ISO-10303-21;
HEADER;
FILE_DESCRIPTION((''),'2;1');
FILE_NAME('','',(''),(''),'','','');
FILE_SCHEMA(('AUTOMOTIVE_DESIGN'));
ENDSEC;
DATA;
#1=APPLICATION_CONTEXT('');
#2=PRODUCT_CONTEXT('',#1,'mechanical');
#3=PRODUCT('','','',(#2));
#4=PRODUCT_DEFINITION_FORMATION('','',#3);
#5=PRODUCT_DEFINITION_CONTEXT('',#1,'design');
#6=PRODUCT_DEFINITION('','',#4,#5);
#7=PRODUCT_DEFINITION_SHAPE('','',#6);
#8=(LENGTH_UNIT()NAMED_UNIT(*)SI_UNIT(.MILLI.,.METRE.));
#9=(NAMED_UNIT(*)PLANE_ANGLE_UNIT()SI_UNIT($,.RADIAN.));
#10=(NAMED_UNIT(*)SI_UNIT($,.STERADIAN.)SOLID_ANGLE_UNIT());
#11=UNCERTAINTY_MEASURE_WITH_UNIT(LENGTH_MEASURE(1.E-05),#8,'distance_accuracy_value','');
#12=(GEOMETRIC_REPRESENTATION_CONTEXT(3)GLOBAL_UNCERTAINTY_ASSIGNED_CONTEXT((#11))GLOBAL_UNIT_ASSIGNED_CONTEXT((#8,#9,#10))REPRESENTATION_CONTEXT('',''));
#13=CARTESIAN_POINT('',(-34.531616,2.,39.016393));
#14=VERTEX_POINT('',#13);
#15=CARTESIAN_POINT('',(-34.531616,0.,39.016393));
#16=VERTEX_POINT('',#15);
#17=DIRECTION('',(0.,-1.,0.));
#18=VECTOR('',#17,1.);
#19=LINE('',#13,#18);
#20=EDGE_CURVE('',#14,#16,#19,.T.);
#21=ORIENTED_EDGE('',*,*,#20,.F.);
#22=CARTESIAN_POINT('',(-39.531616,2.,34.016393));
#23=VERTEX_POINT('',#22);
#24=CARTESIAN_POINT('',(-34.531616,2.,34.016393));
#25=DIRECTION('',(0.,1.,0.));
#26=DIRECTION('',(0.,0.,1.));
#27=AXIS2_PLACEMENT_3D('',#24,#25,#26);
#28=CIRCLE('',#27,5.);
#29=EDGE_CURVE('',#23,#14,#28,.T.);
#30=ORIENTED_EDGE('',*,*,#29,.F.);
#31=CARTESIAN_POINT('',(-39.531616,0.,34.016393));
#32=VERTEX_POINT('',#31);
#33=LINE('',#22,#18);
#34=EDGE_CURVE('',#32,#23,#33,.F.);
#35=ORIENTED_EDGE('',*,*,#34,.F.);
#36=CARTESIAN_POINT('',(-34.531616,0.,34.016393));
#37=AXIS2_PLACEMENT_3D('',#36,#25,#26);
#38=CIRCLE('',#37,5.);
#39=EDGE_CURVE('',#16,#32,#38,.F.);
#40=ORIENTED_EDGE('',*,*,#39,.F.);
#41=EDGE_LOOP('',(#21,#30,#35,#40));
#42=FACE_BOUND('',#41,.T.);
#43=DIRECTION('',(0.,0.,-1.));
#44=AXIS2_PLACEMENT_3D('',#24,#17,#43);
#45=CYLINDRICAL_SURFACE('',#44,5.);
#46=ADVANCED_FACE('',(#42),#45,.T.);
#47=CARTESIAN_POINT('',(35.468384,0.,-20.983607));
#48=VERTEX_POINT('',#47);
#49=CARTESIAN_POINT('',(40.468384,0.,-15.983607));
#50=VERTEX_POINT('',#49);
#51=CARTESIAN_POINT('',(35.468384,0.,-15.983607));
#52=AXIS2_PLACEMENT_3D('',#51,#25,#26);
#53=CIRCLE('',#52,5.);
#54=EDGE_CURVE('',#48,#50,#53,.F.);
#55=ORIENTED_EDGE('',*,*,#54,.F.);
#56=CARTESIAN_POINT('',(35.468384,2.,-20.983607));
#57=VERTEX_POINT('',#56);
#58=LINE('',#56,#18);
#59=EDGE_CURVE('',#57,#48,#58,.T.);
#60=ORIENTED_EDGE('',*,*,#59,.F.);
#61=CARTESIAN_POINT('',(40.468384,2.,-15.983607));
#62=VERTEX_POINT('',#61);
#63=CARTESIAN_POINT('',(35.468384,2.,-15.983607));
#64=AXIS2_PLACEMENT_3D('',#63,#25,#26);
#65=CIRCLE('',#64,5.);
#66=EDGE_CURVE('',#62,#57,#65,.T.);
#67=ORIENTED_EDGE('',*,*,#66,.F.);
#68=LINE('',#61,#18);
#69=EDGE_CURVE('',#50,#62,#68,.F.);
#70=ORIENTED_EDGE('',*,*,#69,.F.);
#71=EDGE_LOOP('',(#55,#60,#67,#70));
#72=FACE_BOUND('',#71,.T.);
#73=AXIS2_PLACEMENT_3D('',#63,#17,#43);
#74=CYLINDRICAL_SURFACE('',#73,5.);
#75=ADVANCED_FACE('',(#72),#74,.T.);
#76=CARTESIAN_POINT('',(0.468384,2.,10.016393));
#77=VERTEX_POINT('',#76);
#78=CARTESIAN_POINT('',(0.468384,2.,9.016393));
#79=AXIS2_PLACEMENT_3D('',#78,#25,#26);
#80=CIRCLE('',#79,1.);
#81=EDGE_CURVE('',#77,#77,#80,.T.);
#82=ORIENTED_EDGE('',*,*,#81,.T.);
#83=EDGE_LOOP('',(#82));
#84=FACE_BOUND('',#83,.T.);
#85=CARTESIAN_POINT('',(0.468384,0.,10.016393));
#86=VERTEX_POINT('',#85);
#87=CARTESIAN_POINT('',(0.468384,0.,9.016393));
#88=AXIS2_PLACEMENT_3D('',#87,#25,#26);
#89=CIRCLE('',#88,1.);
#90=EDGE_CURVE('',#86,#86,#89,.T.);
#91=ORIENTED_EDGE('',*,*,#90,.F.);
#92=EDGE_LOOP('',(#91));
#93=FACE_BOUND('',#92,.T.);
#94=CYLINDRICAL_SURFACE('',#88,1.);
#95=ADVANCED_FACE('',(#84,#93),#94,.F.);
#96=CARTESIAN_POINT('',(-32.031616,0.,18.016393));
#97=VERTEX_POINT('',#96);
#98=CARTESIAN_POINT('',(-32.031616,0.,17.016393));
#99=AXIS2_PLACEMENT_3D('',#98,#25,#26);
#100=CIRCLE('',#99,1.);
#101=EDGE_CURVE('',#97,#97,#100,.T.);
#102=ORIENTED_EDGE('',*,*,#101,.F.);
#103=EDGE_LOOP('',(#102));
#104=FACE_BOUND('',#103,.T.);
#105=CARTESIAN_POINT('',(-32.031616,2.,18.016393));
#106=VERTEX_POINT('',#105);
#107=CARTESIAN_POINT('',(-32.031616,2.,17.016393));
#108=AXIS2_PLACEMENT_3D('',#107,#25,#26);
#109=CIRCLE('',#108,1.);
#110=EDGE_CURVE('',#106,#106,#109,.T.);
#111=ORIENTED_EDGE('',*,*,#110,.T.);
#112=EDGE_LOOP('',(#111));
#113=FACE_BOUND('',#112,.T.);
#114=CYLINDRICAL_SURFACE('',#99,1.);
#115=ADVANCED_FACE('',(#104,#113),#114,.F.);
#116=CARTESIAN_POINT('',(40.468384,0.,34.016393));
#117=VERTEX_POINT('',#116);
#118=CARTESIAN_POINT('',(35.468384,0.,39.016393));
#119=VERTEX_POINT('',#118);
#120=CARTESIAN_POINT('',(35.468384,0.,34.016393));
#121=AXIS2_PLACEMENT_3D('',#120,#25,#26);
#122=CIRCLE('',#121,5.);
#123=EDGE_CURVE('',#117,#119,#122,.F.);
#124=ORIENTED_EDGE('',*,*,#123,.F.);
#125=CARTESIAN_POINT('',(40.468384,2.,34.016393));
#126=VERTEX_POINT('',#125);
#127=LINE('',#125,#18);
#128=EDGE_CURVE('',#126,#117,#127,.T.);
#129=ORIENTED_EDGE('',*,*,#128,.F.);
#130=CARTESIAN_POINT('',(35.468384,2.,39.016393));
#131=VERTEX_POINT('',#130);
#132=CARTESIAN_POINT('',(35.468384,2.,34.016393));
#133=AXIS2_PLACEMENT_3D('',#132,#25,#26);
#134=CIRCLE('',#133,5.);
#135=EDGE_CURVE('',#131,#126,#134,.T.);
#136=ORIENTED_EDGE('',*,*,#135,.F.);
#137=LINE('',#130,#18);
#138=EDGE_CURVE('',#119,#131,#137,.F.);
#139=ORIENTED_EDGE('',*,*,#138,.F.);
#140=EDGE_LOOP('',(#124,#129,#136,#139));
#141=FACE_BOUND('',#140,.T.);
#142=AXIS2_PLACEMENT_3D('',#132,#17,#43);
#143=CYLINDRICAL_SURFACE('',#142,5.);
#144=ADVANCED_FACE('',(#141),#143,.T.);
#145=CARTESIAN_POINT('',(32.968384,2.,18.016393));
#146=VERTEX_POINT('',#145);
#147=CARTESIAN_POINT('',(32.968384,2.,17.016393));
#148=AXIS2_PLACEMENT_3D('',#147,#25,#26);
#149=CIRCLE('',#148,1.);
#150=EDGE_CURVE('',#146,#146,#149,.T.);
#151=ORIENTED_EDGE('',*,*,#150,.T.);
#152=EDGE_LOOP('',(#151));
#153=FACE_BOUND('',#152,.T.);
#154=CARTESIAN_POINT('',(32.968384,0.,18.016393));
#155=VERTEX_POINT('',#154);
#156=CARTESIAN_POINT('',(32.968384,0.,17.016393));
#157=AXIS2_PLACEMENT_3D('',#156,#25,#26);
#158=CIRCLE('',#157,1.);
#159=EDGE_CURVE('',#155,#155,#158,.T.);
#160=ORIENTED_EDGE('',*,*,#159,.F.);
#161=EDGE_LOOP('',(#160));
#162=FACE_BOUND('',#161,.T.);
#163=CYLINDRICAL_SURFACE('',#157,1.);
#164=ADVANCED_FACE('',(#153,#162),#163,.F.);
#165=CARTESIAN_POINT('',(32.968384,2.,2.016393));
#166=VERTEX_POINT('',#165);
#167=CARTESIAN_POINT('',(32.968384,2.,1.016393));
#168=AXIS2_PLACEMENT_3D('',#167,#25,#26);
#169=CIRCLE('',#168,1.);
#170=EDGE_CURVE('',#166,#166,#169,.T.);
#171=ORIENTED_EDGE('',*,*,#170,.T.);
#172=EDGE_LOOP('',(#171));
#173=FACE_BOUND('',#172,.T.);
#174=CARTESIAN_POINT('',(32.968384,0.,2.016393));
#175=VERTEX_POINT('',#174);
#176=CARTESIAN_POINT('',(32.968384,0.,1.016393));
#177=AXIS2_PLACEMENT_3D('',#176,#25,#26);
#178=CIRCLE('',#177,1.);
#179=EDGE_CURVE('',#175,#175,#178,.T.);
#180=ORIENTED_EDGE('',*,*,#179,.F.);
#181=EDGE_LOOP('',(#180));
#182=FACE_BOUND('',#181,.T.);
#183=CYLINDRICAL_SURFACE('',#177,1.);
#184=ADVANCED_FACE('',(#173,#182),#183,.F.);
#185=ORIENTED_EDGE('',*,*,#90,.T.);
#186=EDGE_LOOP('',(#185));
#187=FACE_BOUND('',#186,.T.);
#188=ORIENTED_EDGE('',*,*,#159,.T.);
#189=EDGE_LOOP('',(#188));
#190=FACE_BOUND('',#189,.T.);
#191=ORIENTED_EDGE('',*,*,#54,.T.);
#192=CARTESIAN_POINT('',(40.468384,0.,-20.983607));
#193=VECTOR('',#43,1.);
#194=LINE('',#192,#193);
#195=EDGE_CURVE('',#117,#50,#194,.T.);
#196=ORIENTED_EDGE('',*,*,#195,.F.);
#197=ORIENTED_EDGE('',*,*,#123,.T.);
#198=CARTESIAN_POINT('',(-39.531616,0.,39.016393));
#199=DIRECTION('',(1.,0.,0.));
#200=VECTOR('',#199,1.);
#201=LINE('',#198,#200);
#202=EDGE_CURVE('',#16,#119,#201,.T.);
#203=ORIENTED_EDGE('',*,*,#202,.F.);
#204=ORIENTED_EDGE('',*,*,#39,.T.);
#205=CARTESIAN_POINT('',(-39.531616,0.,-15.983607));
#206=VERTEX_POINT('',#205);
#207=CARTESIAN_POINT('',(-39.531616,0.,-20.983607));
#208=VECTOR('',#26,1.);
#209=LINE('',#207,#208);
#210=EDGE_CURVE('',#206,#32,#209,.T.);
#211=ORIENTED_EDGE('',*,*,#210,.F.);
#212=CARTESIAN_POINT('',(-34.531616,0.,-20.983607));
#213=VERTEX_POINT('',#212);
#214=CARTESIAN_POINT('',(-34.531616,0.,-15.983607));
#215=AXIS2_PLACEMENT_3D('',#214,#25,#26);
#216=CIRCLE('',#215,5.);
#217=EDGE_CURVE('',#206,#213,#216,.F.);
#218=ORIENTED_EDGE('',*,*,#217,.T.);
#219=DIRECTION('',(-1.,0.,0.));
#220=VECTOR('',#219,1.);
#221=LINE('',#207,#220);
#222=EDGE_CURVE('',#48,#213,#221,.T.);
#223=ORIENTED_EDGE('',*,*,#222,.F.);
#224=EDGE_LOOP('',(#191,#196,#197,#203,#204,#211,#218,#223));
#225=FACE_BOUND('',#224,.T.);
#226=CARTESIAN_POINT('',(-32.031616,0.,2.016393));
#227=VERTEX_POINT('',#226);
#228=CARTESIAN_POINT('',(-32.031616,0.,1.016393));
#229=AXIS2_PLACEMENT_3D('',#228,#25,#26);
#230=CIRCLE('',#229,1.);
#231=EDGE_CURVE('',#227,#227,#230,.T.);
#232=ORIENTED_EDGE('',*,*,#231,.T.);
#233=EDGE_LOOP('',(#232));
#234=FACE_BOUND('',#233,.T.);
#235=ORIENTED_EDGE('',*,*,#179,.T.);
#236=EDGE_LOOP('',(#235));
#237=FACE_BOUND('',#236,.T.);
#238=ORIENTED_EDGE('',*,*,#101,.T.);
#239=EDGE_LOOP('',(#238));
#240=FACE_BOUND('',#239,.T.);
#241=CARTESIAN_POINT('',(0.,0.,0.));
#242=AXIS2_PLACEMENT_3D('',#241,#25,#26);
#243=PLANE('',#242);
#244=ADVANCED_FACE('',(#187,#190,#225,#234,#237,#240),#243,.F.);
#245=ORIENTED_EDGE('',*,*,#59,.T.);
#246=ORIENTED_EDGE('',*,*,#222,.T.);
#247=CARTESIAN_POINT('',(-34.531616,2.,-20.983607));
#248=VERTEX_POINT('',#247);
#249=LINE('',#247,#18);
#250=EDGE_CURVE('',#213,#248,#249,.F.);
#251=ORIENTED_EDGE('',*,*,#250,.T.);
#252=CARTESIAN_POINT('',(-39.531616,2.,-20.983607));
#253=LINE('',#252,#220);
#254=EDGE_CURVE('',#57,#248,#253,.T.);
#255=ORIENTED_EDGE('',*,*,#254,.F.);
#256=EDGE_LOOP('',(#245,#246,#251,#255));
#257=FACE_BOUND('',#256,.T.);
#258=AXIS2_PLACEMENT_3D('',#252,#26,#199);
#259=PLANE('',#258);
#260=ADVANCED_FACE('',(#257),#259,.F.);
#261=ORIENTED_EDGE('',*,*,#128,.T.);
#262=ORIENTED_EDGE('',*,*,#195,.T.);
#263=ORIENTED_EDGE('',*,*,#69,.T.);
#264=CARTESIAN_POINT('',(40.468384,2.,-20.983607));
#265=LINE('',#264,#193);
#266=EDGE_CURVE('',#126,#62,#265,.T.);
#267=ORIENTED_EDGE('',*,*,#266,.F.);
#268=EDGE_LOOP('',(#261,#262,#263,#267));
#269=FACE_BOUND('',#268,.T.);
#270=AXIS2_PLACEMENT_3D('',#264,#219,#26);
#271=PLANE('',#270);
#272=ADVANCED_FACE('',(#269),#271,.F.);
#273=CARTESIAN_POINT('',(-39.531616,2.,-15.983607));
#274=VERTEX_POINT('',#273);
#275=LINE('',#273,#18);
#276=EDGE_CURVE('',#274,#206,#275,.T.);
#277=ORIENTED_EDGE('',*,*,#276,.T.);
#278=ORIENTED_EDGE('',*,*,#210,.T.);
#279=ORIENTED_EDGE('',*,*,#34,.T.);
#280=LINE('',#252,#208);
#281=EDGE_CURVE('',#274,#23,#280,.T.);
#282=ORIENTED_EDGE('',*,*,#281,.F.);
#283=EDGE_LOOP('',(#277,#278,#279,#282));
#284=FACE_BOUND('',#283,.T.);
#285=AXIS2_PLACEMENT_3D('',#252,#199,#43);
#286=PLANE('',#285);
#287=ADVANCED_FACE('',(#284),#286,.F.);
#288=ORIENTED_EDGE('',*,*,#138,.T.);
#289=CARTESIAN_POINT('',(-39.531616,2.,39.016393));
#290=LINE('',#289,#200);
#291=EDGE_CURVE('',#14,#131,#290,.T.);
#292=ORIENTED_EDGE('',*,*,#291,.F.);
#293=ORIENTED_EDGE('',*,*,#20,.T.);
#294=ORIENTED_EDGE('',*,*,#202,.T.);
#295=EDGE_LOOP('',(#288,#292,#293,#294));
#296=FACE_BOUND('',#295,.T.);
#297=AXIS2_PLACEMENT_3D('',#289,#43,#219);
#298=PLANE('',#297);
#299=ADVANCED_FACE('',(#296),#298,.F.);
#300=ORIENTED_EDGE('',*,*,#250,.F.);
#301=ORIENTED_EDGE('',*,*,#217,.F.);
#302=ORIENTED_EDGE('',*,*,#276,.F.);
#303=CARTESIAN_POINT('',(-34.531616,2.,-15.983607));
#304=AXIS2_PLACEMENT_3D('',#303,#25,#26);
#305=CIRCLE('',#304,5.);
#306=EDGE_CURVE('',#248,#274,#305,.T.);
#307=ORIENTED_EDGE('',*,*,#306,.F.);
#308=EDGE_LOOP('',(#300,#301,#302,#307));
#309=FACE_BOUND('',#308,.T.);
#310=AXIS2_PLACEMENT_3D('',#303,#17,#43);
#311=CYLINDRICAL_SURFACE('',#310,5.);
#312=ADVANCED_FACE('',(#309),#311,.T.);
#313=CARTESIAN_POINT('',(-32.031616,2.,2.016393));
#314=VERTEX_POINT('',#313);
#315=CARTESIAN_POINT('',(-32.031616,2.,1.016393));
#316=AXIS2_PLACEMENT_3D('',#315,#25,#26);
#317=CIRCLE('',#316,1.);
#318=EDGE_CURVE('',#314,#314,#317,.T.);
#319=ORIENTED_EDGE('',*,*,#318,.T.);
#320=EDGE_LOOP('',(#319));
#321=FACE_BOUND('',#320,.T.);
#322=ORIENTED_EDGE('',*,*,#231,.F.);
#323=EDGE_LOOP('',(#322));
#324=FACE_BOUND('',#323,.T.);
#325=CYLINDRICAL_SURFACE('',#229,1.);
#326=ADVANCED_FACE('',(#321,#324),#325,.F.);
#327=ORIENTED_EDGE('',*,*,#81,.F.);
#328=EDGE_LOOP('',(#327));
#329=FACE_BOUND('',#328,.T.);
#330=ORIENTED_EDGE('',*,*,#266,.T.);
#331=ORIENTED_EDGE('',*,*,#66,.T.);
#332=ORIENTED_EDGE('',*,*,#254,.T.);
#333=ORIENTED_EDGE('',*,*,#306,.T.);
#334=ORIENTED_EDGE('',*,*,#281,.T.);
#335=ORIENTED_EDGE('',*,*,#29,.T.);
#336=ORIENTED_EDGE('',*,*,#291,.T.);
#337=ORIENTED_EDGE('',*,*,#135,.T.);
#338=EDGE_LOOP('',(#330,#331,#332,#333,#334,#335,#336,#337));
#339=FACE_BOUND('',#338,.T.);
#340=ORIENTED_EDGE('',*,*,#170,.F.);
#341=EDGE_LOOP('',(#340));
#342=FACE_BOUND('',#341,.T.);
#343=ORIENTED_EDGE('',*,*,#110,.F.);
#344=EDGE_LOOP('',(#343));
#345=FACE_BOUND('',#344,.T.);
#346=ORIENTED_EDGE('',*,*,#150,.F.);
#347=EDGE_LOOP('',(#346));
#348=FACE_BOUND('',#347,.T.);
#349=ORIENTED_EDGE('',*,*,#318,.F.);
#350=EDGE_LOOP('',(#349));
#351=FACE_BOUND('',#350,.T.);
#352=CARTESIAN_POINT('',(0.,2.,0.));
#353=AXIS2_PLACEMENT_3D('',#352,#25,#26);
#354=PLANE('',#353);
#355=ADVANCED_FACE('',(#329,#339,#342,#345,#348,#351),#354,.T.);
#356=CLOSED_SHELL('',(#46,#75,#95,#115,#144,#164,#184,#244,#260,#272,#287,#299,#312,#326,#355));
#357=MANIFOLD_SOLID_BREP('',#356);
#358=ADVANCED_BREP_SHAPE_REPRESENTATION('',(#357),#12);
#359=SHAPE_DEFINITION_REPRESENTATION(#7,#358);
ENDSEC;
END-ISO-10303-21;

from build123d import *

# Parameters (mm, degrees)
SKETCH1_W           = 80
SKETCH1_H           = 60
BOSS_EXTRUDE2_DEPTH = 2
SKETCH3_R           = 1
CUT_EXTRUDE2_DEPTH  = 2
FILLET2_R           = 5


with BuildPart() as part:
    # Sketch1 → Boss-Extrude2 (new body)
    with BuildSketch(Plane(origin=(0, 0, 0), x_dir=(1, 0, 0), z_dir=(0, 1, 0))):
        with Locations((0.468384075, -9.016393443)):
            Rectangle(SKETCH1_W, SKETCH1_H)
    extrude(amount=BOSS_EXTRUDE2_DEPTH)

    # Sketch3 → Cut-Extrude2 (cut)
    with BuildSketch(Plane(origin=(0, 2, 0), x_dir=(1, 0, 0), z_dir=(0, 1, 0))):
        with Locations(Location((-32.031615925, -1.016393443, 0), (0, 0, 270))):
            Circle(SKETCH3_R)
        with Locations(Location((-32.031615925, -17.016393443, 0), (0, 0, 270))):
            Circle(SKETCH3_R)
        with Locations(Location((32.968384075, -1.016393443, 0), (0, 0, 270))):
            Circle(SKETCH3_R)
        with Locations(Location((32.968384075, -17.016393443, 0), (0, 0, 270))):
            Circle(SKETCH3_R)
        with Locations(Location((0.468384075, -9.016393443, 0), (0, 0, 270))):
            Circle(SKETCH3_R)
    extrude(amount=-CUT_EXTRUDE2_DEPTH, mode=Mode.SUBTRACT)

    # Fillet2
    fillet2_edges = [part.edges().sort_by_distance(p)[0] for p in [
        (-39.531615925, 1, -20.983606557),
        (40.468384075, 1, -20.983606557),
        (40.468384075, 1, 39.016393443),
        (-39.531615925, 1, 39.016393443),
    ]]
    fillet(fillet2_edges, radius=FILLET2_R)


solid = part.part
